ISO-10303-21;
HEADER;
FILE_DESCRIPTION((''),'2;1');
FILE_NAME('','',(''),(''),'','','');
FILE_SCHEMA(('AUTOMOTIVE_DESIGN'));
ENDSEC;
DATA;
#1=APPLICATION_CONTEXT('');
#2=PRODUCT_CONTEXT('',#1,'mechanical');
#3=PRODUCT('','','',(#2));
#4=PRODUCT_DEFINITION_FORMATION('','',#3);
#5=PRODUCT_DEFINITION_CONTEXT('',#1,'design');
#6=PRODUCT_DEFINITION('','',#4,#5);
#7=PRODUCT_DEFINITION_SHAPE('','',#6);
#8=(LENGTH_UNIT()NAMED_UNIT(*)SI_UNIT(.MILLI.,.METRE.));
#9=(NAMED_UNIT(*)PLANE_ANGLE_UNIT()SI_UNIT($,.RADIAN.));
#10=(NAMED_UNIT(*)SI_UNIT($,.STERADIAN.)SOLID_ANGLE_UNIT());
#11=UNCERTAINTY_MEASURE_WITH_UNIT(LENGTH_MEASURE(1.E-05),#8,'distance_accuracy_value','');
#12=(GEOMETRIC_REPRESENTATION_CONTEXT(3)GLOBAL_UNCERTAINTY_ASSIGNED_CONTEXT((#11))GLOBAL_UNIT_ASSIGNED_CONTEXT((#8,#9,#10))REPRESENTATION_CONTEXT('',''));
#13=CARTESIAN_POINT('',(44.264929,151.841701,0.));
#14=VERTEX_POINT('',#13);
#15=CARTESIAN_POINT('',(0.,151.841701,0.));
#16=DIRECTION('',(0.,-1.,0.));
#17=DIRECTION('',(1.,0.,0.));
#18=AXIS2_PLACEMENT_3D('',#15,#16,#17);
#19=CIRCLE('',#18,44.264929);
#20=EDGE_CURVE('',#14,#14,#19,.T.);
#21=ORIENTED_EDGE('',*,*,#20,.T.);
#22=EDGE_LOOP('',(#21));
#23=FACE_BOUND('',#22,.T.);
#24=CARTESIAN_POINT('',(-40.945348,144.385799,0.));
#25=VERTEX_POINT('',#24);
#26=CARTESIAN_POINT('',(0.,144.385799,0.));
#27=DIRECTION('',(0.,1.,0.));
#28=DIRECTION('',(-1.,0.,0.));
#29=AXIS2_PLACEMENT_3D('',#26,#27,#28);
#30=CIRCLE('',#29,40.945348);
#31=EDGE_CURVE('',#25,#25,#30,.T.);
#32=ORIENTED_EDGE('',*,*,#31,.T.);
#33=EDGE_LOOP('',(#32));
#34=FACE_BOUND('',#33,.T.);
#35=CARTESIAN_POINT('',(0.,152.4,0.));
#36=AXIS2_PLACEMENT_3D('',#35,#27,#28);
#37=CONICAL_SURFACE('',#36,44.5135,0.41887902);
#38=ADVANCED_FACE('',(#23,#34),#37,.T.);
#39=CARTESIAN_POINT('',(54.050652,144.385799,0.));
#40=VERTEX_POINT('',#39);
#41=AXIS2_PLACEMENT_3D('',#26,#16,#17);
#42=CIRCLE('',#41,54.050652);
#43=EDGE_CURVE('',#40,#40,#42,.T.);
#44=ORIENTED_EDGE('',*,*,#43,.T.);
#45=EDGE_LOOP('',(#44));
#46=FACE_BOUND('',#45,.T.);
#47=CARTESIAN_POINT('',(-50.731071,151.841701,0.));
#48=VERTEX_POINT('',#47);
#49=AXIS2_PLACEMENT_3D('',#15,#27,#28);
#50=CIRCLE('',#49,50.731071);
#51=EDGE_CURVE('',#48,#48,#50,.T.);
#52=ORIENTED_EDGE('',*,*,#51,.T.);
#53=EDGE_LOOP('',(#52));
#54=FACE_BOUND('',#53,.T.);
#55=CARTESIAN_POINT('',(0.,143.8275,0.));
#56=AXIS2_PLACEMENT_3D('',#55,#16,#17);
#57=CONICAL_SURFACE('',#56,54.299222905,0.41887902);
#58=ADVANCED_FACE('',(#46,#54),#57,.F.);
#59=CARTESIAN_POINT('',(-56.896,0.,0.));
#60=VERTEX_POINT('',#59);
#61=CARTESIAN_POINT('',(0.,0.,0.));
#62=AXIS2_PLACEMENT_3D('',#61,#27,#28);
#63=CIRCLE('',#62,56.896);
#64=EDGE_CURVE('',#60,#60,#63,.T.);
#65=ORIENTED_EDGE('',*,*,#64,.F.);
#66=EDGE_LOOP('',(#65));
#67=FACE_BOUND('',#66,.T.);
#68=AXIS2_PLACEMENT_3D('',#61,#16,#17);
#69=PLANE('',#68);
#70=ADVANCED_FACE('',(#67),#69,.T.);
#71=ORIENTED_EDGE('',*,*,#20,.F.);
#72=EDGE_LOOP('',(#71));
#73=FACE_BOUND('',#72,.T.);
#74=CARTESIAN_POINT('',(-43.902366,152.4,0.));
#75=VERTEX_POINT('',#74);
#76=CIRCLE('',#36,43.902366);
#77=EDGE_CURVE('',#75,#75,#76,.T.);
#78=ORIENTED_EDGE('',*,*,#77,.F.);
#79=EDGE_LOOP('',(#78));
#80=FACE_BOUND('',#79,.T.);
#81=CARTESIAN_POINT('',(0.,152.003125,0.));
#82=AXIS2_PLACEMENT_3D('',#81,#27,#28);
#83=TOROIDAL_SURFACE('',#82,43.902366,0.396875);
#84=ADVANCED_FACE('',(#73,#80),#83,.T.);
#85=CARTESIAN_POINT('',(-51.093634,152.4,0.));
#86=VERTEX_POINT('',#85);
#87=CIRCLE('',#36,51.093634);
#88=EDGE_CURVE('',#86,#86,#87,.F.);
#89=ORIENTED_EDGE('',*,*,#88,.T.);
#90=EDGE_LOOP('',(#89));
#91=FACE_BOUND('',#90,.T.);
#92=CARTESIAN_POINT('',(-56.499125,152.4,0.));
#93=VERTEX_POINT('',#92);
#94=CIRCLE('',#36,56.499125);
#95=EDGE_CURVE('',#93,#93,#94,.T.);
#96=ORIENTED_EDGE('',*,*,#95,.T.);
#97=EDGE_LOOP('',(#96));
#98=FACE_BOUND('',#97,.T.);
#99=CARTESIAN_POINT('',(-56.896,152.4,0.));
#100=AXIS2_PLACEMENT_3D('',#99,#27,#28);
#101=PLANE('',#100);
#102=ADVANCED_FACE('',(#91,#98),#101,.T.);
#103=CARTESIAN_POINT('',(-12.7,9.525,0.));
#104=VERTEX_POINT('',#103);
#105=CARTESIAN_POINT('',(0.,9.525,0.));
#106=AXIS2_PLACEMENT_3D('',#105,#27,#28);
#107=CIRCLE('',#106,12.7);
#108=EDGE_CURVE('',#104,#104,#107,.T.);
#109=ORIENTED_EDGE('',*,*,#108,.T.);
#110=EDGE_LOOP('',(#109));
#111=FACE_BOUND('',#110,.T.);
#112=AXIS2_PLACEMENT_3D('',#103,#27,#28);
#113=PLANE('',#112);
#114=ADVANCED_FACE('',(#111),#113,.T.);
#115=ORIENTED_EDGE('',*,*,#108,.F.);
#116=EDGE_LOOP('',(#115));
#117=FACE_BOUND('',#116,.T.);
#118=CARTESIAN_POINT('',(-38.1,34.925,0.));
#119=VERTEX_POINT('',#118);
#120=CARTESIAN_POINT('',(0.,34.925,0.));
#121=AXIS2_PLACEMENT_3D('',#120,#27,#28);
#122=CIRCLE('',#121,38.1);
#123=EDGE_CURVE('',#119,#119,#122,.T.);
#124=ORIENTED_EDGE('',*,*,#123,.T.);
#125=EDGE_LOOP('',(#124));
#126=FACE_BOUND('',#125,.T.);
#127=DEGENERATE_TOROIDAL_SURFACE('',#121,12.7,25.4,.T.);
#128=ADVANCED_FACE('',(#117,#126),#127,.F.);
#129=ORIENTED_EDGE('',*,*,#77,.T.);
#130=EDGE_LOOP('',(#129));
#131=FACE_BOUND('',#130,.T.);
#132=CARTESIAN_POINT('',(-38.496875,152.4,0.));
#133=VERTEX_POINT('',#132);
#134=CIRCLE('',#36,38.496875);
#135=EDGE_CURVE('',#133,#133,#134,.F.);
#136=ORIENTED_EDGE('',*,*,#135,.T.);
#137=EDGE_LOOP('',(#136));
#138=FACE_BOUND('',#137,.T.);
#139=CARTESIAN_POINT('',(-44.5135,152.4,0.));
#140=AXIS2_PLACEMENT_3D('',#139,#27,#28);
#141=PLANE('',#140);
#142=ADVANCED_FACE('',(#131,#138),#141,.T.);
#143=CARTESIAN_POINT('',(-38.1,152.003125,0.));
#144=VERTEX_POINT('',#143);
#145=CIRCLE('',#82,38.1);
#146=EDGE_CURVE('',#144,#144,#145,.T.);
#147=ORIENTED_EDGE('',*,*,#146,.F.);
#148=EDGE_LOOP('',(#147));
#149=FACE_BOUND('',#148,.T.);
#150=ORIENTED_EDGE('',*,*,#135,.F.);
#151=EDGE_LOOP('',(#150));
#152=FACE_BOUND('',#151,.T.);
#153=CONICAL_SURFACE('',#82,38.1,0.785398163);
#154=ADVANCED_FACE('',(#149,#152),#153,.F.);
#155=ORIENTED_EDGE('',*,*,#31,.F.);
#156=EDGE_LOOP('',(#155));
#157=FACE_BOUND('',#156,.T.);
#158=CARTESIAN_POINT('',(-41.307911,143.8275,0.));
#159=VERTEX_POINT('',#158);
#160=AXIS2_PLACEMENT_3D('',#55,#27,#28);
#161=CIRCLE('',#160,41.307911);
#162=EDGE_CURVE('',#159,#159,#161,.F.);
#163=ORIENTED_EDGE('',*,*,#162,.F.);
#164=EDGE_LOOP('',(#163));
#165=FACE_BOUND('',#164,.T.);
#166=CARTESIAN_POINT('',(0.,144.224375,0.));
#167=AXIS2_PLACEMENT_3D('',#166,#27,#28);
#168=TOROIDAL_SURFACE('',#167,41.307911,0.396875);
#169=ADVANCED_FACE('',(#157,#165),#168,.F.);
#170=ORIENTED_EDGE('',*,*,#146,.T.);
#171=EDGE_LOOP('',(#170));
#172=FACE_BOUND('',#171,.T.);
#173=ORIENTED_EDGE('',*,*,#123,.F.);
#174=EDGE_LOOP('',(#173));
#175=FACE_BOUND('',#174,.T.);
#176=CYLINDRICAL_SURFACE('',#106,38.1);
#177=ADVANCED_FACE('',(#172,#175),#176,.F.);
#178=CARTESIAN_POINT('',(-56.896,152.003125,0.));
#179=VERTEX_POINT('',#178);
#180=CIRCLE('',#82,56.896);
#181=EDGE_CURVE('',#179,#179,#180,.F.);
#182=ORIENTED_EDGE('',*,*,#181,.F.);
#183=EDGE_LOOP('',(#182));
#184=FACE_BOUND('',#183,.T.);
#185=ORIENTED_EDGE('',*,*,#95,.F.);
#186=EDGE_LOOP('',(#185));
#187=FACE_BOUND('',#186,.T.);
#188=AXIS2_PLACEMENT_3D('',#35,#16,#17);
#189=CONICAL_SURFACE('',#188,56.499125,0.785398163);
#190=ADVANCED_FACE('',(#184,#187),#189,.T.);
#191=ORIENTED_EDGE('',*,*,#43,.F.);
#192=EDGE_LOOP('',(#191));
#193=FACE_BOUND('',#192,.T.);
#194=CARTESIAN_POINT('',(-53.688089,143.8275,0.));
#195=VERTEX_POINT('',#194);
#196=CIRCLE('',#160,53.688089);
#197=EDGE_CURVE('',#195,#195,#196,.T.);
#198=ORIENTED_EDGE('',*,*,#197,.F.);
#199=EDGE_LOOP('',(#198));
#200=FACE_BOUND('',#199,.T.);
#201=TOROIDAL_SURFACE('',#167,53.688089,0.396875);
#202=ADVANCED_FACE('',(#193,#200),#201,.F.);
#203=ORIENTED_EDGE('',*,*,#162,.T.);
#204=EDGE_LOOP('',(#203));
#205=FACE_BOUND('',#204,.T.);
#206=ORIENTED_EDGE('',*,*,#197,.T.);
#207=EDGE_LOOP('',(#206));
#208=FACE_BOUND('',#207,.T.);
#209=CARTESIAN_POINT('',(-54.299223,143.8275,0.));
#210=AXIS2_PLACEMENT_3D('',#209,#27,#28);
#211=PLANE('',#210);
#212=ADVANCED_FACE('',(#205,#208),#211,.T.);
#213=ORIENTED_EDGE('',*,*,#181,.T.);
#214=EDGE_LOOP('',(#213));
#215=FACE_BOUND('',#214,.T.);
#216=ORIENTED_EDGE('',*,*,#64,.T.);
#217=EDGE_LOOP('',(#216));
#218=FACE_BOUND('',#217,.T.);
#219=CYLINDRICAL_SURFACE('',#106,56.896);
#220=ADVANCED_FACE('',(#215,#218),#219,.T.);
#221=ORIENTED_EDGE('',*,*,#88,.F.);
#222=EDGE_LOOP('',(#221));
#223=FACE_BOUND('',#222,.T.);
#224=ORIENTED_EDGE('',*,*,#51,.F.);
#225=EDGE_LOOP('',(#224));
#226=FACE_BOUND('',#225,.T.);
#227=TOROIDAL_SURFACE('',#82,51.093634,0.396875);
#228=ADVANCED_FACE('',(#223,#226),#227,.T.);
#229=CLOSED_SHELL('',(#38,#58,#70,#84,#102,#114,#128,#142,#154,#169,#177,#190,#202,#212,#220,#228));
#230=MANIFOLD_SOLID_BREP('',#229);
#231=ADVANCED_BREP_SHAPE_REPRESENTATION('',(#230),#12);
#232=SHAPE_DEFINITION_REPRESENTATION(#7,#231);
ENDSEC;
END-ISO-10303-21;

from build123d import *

# Parameters (mm, degrees)
FILLET1_R     = 0.396875
CHAMFER1_SIZE = 0.396875


with BuildPart() as part:
    # Sketch1 → Revolve1 (revolve)
    with BuildSketch(Plane.XY):
        with BuildLine():
            Line((0, 0), (-56.896, 0))
            Line((-56.896, 0), (-56.896, 152.4))
            Line((-56.896, 152.4), (-50.4825, 152.4))
            Line((-50.4825, 152.4), (-54.299222905, 143.8275))
            Line((-54.299222905, 143.8275), (-40.696777095, 143.8275))
            Line((-40.696777095, 143.8275), (-44.5135, 152.4))
            Line((-44.5135, 152.4), (-38.1, 152.4))
            Line((-38.1, 152.4), (-38.1, 34.925))
            ThreePointArc((-38.1, 34.925), (-30.660512242, 16.964487758), (-12.7, 9.525))
            Line((-12.7, 9.525), (0, 9.525))
            Line((0, 9.525), (0, 0))
        make_face()
    revolve(axis=Axis((0, 9.525, 0), (0, -1, 0)))

    # Fillet1
    fillet1_edges = [part.edges().sort_by_distance(p)[0] for p in [
        (50.4825, 152.4, 0),
        (54.299222905, 143.8275, 0),
        (40.696777095, 143.8275, 0),
        (44.5135, 152.4, 0),
    ]]
    fillet(fillet1_edges, radius=FILLET1_R)

    # Chamfer1
    chamfer1_edges = [part.edges().sort_by_distance(p)[0] for p in [
        (38.1, 152.4, 0),
        (56.896, 152.4, 0),
    ]]
    chamfer(chamfer1_edges, length=CHAMFER1_SIZE)


solid = part.part
